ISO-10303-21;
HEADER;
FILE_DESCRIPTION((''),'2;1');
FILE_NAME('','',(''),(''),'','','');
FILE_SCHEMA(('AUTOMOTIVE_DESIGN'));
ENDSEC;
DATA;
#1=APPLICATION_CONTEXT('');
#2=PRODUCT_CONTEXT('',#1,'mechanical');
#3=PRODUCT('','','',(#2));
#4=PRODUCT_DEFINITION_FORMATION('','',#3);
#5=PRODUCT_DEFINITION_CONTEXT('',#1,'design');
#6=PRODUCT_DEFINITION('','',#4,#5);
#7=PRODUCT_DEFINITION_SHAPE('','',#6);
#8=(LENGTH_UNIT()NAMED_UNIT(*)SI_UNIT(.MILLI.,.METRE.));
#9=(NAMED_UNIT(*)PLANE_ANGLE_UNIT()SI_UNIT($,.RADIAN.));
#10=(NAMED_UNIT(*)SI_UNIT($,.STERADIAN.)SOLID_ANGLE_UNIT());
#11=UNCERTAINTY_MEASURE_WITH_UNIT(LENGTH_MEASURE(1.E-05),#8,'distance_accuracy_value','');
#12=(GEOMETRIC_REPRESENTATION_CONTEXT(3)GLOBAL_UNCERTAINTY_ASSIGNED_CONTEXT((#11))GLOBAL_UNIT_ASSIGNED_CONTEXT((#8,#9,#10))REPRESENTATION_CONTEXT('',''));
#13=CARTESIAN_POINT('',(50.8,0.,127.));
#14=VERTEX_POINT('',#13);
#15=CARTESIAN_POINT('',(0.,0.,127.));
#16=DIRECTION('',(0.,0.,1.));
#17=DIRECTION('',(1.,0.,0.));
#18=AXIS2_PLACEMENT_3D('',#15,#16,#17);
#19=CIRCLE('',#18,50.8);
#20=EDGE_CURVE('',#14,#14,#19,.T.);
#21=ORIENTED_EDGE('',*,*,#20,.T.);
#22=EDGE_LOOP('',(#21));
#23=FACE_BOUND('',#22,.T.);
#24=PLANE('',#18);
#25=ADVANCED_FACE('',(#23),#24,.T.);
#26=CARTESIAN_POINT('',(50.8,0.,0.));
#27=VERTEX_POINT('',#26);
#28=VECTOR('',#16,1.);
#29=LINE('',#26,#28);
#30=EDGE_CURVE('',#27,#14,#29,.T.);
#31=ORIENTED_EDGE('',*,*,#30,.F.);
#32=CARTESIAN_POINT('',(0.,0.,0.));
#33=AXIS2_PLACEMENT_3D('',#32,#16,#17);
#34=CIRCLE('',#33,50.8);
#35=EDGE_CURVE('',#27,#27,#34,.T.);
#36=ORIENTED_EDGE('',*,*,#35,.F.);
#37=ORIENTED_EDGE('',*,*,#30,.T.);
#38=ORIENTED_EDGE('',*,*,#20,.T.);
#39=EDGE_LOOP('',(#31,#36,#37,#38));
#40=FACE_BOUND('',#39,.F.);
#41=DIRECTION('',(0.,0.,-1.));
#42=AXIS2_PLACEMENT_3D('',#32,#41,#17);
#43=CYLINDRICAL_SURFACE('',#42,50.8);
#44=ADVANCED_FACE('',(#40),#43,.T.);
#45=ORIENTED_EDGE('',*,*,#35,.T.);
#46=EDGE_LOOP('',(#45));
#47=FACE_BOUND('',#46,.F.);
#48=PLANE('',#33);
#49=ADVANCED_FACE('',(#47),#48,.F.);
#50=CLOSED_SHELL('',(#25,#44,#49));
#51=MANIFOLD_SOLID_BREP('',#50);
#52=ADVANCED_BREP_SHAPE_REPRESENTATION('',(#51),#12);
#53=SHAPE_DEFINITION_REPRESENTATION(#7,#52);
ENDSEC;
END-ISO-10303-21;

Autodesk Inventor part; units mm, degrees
ref_plane "YZ Plane" through (0, 0, 0) normal (1, 0, 0) x (0, 1, 0)
ref_plane "XZ Plane" through (0, 0, 0) normal (0, 1, 0) x (-1, 0, 0)
ref_plane "XY Plane" through (0, 0, 0) normal (0, 0, 1) x (1, 0, 0)
sketch "Sketch1" plane through (0, 0, 0) normal (0, 0, 1) x (1, 0, 0)
  circle A0 centre (0, 0) radius 50.8
  dimension "d0" = 101.6
extrude "Extrusion1" add sketch "Sketch1" along normal blind 127
properties part number "electromagnet"
